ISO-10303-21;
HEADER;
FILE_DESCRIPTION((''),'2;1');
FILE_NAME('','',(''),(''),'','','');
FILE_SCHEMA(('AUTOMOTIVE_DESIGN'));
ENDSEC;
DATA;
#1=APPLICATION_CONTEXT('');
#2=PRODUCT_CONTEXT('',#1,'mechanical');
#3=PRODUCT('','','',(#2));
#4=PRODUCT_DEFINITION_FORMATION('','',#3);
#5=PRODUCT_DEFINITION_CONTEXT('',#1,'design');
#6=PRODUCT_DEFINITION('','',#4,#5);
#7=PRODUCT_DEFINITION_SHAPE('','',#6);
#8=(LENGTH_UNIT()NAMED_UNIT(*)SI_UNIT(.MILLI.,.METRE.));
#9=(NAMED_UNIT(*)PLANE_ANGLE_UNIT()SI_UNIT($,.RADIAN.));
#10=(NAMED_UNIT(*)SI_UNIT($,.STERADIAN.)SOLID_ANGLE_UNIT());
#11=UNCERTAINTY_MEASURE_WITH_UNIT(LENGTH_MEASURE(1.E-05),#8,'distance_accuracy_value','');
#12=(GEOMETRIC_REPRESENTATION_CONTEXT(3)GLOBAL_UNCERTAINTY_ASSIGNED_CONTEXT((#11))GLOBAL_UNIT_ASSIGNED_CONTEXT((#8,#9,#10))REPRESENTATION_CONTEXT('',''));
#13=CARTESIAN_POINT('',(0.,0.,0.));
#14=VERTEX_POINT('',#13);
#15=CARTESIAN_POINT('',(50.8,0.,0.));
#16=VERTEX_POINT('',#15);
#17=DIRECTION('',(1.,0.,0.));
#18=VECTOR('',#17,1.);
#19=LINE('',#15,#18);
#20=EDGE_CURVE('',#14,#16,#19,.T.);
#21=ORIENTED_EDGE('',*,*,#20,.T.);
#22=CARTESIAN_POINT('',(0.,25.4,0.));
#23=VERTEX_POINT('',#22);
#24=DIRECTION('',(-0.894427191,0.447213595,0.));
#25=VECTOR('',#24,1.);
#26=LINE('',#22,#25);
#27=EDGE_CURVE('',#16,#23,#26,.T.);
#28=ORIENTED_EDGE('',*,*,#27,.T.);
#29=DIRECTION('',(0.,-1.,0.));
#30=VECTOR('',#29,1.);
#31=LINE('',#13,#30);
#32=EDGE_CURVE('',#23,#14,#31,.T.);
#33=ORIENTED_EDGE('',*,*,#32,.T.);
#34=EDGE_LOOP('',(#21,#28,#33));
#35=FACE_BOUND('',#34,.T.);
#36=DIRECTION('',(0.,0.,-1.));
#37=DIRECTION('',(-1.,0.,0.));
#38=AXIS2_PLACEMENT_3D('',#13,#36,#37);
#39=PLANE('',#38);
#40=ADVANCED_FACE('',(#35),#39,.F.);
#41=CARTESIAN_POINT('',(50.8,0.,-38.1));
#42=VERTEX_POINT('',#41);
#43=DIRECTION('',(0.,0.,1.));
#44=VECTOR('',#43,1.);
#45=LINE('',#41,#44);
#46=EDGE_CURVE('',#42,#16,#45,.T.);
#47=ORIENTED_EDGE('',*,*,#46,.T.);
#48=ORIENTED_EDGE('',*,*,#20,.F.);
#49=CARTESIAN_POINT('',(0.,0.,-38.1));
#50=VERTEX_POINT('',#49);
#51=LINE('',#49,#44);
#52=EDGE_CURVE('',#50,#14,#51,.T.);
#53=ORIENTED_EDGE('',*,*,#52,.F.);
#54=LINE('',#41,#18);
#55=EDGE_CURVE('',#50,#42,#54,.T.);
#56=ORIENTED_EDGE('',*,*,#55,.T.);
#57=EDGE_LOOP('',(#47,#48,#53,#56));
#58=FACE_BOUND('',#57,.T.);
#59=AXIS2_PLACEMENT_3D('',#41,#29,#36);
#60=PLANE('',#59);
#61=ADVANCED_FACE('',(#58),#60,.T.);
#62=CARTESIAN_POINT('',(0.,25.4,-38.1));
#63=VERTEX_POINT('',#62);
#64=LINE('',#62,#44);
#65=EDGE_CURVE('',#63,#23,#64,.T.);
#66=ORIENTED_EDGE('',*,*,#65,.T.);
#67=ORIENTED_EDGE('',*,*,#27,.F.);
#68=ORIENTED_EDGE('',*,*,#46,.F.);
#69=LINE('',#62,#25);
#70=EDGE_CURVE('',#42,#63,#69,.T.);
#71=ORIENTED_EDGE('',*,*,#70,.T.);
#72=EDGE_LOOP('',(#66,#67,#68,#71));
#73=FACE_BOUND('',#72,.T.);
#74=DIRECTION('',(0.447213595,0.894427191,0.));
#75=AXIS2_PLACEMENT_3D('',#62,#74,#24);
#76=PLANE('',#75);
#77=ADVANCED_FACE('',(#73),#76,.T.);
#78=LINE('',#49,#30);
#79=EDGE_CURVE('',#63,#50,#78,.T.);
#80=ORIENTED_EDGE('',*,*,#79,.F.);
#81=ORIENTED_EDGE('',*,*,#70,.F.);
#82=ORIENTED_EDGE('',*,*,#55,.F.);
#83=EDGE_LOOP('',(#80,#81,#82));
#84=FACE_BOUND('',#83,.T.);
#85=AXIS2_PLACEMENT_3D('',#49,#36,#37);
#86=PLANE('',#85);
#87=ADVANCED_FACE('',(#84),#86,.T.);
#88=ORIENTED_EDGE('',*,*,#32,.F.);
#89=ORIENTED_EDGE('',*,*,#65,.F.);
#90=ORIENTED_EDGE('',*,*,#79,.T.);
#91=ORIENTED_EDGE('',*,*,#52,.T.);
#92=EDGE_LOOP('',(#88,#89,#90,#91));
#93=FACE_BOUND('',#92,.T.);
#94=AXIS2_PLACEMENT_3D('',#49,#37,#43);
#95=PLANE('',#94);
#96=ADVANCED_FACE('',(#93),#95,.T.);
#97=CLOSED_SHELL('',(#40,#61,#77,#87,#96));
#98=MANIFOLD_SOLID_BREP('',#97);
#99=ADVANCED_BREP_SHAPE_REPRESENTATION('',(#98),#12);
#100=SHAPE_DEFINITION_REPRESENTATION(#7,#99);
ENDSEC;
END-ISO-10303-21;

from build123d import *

# Parameters (mm, degrees)
BOSS_EXTRUDE1_DEPTH = 38.1


with BuildPart() as part:
    # Sketch1 → Boss-Extrude1 (new body)
    with BuildSketch(Plane.XY):
        Polygon((0, 0), (0, 25.4), (50.8, 0), align=None)
    extrude(amount=-BOSS_EXTRUDE1_DEPTH)


solid = part.part
